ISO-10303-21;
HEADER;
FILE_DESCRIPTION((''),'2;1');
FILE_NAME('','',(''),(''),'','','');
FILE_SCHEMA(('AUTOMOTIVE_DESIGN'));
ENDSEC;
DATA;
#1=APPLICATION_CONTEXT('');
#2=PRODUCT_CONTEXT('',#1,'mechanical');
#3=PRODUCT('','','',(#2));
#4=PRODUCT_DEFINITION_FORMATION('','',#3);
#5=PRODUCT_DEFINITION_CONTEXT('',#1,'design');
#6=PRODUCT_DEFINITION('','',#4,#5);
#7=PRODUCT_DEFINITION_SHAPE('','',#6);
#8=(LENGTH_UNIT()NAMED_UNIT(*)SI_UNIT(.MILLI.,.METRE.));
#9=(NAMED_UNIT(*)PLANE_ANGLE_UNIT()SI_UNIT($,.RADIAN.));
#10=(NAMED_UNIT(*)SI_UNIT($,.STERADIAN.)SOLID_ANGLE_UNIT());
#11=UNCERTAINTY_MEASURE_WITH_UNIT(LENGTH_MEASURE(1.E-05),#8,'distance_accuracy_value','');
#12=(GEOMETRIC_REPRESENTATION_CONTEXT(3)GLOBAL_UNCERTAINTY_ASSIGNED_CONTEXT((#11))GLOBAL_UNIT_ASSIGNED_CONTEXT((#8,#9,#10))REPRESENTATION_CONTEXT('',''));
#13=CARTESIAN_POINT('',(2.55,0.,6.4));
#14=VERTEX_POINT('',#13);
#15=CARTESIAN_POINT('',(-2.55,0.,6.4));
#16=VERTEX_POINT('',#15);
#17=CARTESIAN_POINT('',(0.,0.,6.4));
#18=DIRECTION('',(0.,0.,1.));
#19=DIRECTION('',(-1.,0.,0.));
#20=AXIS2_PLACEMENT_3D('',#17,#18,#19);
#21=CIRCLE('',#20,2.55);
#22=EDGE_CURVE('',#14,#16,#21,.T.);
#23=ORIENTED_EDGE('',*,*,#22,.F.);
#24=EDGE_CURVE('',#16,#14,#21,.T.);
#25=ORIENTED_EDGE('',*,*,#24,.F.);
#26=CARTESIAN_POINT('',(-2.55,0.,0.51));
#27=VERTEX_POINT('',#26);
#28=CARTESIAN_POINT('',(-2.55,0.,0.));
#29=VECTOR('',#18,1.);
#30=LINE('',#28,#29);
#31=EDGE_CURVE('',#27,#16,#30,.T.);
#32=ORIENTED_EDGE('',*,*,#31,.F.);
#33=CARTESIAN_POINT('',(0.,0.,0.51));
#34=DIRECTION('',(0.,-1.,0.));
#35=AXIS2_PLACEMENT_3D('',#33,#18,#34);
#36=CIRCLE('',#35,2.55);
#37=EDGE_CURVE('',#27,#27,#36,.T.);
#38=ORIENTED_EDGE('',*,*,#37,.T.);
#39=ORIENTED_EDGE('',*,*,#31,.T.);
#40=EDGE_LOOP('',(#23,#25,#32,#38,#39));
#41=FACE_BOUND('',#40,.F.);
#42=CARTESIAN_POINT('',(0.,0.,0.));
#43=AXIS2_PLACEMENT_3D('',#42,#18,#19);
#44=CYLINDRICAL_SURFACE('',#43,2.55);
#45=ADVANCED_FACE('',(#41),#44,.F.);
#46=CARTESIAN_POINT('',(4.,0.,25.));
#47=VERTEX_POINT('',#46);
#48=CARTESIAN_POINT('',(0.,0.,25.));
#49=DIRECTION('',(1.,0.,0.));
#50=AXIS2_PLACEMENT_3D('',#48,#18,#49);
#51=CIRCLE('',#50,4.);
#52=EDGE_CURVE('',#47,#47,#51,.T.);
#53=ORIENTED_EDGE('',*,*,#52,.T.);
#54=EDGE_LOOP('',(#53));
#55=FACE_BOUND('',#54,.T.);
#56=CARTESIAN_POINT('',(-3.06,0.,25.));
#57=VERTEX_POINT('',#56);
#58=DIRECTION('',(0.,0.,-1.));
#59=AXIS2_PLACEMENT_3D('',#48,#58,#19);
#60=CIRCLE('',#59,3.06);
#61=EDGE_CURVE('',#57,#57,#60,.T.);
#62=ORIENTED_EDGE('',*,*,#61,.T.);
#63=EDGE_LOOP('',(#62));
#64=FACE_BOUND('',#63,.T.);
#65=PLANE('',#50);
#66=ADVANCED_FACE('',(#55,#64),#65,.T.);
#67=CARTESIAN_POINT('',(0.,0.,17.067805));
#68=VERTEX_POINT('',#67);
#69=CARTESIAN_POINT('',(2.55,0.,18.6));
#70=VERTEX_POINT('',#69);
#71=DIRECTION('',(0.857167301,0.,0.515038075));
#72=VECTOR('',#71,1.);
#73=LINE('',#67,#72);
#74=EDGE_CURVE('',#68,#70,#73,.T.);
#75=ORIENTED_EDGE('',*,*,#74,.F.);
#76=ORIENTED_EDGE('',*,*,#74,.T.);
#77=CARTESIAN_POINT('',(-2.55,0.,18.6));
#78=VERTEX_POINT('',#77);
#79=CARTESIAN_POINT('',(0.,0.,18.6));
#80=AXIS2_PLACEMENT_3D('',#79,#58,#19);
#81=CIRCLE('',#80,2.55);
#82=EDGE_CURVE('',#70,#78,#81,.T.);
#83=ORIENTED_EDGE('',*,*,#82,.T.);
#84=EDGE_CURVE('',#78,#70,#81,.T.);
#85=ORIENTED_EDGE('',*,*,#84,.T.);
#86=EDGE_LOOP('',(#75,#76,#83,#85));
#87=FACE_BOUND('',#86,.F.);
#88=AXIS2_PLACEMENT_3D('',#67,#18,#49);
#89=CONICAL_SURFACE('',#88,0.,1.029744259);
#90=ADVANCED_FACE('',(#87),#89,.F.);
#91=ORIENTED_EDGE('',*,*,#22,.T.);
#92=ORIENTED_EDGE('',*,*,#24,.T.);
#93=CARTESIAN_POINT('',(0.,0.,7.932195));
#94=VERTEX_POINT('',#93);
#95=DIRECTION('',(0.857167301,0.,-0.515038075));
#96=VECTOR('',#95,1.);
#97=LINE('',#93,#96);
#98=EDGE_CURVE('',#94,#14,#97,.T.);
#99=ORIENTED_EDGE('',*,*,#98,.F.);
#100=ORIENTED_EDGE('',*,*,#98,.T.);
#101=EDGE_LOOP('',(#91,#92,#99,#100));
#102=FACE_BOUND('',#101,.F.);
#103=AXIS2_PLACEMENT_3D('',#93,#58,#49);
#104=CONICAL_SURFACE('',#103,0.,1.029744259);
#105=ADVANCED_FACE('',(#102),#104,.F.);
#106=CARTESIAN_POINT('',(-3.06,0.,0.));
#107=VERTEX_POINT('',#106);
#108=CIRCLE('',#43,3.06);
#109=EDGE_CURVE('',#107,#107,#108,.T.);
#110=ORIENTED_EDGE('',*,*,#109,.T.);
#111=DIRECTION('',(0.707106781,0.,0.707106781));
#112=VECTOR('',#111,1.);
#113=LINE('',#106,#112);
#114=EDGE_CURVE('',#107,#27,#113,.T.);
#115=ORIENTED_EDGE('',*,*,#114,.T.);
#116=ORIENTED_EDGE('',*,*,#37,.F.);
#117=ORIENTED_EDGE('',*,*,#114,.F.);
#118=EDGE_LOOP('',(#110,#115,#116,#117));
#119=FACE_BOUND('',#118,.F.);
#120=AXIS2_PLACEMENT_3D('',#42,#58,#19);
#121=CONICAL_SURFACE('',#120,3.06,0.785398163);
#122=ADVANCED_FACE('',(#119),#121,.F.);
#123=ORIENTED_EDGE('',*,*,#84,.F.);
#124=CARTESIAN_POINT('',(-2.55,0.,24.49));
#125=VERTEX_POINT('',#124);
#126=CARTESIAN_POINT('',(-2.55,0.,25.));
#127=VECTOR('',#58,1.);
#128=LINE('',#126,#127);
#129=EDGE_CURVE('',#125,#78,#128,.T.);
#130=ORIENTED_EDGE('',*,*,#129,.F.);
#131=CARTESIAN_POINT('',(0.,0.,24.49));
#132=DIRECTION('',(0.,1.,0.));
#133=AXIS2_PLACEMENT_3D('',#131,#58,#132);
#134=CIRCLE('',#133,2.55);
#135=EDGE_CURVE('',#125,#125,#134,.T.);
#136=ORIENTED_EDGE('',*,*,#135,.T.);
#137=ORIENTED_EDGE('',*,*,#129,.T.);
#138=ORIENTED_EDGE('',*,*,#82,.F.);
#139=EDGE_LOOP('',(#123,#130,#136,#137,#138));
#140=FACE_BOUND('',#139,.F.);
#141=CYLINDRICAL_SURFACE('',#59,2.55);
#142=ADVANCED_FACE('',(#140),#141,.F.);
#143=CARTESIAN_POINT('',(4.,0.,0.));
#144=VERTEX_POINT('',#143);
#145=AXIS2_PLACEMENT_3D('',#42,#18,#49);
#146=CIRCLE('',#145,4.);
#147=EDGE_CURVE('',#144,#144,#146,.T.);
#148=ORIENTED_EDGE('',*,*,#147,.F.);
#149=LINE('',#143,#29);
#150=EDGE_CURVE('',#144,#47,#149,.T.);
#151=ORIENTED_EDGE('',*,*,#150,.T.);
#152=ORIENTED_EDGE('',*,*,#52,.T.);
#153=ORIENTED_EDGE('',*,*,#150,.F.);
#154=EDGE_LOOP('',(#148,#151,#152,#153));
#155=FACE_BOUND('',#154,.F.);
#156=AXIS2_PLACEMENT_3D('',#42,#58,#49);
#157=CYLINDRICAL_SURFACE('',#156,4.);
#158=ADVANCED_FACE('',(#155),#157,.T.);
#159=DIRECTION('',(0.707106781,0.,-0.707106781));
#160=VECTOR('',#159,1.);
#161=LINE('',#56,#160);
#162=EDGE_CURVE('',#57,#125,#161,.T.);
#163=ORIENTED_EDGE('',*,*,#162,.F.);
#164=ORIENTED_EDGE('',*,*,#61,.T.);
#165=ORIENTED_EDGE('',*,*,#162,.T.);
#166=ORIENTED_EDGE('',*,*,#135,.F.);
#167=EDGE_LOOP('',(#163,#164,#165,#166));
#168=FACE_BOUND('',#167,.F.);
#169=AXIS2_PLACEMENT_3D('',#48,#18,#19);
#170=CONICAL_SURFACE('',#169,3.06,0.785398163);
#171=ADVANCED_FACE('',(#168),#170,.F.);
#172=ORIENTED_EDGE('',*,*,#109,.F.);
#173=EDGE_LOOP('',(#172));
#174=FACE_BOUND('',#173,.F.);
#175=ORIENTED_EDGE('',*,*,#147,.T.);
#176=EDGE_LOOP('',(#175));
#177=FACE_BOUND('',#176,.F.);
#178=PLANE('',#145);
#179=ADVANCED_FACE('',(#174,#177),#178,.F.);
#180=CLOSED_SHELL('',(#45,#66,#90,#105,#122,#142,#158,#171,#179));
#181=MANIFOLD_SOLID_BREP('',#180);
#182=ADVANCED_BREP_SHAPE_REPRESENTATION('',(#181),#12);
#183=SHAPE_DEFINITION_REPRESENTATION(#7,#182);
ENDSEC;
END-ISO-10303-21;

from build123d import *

# Parameters (mm, degrees)
F3_R           = 4
F4_DEPTH       = 25
F6_D           = 5.1
F6_DEPTH       = 6.4
F6_CSINK_D     = 6.12
F6_CSINK_ANGLE = 90
F6_TIP         = 1.5321945785
F7_D           = 5.1
F7_DEPTH       = 6.4
F7_CSINK_D     = 6.12
F7_CSINK_ANGLE = 90
F7_TIP         = 1.5321945785


with BuildPart() as f4:
    # F3 (on Top) → F4 (new body)
    with BuildSketch(Plane.XY):
        Circle(F3_R)
    extrude(amount=F4_DEPTH)

    # F6
    with Locations(Plane.XY.offset(25)):
        with Locations((0, 0)):
            CounterSinkHole(F6_D / 2, F6_CSINK_D / 2, depth=F6_DEPTH, counter_sink_angle=F6_CSINK_ANGLE)
            with Locations((0, 0, -(F6_DEPTH + F6_TIP / 2))):  # 118° drill point
                Cone(0, F6_D / 2, F6_TIP, mode=Mode.SUBTRACT)

    # F7
    with Locations(Plane(origin=(0, 0, 0), x_dir=(1, 0, 0), z_dir=(0, 0, -1))):
        with Locations((0, 0)):
            CounterSinkHole(F7_D / 2, F7_CSINK_D / 2, depth=F7_DEPTH, counter_sink_angle=F7_CSINK_ANGLE)
            with Locations((0, 0, -(F7_DEPTH + F7_TIP / 2))):  # 118° drill point
                Cone(0, F7_D / 2, F7_TIP, mode=Mode.SUBTRACT)


solid = f4.part
